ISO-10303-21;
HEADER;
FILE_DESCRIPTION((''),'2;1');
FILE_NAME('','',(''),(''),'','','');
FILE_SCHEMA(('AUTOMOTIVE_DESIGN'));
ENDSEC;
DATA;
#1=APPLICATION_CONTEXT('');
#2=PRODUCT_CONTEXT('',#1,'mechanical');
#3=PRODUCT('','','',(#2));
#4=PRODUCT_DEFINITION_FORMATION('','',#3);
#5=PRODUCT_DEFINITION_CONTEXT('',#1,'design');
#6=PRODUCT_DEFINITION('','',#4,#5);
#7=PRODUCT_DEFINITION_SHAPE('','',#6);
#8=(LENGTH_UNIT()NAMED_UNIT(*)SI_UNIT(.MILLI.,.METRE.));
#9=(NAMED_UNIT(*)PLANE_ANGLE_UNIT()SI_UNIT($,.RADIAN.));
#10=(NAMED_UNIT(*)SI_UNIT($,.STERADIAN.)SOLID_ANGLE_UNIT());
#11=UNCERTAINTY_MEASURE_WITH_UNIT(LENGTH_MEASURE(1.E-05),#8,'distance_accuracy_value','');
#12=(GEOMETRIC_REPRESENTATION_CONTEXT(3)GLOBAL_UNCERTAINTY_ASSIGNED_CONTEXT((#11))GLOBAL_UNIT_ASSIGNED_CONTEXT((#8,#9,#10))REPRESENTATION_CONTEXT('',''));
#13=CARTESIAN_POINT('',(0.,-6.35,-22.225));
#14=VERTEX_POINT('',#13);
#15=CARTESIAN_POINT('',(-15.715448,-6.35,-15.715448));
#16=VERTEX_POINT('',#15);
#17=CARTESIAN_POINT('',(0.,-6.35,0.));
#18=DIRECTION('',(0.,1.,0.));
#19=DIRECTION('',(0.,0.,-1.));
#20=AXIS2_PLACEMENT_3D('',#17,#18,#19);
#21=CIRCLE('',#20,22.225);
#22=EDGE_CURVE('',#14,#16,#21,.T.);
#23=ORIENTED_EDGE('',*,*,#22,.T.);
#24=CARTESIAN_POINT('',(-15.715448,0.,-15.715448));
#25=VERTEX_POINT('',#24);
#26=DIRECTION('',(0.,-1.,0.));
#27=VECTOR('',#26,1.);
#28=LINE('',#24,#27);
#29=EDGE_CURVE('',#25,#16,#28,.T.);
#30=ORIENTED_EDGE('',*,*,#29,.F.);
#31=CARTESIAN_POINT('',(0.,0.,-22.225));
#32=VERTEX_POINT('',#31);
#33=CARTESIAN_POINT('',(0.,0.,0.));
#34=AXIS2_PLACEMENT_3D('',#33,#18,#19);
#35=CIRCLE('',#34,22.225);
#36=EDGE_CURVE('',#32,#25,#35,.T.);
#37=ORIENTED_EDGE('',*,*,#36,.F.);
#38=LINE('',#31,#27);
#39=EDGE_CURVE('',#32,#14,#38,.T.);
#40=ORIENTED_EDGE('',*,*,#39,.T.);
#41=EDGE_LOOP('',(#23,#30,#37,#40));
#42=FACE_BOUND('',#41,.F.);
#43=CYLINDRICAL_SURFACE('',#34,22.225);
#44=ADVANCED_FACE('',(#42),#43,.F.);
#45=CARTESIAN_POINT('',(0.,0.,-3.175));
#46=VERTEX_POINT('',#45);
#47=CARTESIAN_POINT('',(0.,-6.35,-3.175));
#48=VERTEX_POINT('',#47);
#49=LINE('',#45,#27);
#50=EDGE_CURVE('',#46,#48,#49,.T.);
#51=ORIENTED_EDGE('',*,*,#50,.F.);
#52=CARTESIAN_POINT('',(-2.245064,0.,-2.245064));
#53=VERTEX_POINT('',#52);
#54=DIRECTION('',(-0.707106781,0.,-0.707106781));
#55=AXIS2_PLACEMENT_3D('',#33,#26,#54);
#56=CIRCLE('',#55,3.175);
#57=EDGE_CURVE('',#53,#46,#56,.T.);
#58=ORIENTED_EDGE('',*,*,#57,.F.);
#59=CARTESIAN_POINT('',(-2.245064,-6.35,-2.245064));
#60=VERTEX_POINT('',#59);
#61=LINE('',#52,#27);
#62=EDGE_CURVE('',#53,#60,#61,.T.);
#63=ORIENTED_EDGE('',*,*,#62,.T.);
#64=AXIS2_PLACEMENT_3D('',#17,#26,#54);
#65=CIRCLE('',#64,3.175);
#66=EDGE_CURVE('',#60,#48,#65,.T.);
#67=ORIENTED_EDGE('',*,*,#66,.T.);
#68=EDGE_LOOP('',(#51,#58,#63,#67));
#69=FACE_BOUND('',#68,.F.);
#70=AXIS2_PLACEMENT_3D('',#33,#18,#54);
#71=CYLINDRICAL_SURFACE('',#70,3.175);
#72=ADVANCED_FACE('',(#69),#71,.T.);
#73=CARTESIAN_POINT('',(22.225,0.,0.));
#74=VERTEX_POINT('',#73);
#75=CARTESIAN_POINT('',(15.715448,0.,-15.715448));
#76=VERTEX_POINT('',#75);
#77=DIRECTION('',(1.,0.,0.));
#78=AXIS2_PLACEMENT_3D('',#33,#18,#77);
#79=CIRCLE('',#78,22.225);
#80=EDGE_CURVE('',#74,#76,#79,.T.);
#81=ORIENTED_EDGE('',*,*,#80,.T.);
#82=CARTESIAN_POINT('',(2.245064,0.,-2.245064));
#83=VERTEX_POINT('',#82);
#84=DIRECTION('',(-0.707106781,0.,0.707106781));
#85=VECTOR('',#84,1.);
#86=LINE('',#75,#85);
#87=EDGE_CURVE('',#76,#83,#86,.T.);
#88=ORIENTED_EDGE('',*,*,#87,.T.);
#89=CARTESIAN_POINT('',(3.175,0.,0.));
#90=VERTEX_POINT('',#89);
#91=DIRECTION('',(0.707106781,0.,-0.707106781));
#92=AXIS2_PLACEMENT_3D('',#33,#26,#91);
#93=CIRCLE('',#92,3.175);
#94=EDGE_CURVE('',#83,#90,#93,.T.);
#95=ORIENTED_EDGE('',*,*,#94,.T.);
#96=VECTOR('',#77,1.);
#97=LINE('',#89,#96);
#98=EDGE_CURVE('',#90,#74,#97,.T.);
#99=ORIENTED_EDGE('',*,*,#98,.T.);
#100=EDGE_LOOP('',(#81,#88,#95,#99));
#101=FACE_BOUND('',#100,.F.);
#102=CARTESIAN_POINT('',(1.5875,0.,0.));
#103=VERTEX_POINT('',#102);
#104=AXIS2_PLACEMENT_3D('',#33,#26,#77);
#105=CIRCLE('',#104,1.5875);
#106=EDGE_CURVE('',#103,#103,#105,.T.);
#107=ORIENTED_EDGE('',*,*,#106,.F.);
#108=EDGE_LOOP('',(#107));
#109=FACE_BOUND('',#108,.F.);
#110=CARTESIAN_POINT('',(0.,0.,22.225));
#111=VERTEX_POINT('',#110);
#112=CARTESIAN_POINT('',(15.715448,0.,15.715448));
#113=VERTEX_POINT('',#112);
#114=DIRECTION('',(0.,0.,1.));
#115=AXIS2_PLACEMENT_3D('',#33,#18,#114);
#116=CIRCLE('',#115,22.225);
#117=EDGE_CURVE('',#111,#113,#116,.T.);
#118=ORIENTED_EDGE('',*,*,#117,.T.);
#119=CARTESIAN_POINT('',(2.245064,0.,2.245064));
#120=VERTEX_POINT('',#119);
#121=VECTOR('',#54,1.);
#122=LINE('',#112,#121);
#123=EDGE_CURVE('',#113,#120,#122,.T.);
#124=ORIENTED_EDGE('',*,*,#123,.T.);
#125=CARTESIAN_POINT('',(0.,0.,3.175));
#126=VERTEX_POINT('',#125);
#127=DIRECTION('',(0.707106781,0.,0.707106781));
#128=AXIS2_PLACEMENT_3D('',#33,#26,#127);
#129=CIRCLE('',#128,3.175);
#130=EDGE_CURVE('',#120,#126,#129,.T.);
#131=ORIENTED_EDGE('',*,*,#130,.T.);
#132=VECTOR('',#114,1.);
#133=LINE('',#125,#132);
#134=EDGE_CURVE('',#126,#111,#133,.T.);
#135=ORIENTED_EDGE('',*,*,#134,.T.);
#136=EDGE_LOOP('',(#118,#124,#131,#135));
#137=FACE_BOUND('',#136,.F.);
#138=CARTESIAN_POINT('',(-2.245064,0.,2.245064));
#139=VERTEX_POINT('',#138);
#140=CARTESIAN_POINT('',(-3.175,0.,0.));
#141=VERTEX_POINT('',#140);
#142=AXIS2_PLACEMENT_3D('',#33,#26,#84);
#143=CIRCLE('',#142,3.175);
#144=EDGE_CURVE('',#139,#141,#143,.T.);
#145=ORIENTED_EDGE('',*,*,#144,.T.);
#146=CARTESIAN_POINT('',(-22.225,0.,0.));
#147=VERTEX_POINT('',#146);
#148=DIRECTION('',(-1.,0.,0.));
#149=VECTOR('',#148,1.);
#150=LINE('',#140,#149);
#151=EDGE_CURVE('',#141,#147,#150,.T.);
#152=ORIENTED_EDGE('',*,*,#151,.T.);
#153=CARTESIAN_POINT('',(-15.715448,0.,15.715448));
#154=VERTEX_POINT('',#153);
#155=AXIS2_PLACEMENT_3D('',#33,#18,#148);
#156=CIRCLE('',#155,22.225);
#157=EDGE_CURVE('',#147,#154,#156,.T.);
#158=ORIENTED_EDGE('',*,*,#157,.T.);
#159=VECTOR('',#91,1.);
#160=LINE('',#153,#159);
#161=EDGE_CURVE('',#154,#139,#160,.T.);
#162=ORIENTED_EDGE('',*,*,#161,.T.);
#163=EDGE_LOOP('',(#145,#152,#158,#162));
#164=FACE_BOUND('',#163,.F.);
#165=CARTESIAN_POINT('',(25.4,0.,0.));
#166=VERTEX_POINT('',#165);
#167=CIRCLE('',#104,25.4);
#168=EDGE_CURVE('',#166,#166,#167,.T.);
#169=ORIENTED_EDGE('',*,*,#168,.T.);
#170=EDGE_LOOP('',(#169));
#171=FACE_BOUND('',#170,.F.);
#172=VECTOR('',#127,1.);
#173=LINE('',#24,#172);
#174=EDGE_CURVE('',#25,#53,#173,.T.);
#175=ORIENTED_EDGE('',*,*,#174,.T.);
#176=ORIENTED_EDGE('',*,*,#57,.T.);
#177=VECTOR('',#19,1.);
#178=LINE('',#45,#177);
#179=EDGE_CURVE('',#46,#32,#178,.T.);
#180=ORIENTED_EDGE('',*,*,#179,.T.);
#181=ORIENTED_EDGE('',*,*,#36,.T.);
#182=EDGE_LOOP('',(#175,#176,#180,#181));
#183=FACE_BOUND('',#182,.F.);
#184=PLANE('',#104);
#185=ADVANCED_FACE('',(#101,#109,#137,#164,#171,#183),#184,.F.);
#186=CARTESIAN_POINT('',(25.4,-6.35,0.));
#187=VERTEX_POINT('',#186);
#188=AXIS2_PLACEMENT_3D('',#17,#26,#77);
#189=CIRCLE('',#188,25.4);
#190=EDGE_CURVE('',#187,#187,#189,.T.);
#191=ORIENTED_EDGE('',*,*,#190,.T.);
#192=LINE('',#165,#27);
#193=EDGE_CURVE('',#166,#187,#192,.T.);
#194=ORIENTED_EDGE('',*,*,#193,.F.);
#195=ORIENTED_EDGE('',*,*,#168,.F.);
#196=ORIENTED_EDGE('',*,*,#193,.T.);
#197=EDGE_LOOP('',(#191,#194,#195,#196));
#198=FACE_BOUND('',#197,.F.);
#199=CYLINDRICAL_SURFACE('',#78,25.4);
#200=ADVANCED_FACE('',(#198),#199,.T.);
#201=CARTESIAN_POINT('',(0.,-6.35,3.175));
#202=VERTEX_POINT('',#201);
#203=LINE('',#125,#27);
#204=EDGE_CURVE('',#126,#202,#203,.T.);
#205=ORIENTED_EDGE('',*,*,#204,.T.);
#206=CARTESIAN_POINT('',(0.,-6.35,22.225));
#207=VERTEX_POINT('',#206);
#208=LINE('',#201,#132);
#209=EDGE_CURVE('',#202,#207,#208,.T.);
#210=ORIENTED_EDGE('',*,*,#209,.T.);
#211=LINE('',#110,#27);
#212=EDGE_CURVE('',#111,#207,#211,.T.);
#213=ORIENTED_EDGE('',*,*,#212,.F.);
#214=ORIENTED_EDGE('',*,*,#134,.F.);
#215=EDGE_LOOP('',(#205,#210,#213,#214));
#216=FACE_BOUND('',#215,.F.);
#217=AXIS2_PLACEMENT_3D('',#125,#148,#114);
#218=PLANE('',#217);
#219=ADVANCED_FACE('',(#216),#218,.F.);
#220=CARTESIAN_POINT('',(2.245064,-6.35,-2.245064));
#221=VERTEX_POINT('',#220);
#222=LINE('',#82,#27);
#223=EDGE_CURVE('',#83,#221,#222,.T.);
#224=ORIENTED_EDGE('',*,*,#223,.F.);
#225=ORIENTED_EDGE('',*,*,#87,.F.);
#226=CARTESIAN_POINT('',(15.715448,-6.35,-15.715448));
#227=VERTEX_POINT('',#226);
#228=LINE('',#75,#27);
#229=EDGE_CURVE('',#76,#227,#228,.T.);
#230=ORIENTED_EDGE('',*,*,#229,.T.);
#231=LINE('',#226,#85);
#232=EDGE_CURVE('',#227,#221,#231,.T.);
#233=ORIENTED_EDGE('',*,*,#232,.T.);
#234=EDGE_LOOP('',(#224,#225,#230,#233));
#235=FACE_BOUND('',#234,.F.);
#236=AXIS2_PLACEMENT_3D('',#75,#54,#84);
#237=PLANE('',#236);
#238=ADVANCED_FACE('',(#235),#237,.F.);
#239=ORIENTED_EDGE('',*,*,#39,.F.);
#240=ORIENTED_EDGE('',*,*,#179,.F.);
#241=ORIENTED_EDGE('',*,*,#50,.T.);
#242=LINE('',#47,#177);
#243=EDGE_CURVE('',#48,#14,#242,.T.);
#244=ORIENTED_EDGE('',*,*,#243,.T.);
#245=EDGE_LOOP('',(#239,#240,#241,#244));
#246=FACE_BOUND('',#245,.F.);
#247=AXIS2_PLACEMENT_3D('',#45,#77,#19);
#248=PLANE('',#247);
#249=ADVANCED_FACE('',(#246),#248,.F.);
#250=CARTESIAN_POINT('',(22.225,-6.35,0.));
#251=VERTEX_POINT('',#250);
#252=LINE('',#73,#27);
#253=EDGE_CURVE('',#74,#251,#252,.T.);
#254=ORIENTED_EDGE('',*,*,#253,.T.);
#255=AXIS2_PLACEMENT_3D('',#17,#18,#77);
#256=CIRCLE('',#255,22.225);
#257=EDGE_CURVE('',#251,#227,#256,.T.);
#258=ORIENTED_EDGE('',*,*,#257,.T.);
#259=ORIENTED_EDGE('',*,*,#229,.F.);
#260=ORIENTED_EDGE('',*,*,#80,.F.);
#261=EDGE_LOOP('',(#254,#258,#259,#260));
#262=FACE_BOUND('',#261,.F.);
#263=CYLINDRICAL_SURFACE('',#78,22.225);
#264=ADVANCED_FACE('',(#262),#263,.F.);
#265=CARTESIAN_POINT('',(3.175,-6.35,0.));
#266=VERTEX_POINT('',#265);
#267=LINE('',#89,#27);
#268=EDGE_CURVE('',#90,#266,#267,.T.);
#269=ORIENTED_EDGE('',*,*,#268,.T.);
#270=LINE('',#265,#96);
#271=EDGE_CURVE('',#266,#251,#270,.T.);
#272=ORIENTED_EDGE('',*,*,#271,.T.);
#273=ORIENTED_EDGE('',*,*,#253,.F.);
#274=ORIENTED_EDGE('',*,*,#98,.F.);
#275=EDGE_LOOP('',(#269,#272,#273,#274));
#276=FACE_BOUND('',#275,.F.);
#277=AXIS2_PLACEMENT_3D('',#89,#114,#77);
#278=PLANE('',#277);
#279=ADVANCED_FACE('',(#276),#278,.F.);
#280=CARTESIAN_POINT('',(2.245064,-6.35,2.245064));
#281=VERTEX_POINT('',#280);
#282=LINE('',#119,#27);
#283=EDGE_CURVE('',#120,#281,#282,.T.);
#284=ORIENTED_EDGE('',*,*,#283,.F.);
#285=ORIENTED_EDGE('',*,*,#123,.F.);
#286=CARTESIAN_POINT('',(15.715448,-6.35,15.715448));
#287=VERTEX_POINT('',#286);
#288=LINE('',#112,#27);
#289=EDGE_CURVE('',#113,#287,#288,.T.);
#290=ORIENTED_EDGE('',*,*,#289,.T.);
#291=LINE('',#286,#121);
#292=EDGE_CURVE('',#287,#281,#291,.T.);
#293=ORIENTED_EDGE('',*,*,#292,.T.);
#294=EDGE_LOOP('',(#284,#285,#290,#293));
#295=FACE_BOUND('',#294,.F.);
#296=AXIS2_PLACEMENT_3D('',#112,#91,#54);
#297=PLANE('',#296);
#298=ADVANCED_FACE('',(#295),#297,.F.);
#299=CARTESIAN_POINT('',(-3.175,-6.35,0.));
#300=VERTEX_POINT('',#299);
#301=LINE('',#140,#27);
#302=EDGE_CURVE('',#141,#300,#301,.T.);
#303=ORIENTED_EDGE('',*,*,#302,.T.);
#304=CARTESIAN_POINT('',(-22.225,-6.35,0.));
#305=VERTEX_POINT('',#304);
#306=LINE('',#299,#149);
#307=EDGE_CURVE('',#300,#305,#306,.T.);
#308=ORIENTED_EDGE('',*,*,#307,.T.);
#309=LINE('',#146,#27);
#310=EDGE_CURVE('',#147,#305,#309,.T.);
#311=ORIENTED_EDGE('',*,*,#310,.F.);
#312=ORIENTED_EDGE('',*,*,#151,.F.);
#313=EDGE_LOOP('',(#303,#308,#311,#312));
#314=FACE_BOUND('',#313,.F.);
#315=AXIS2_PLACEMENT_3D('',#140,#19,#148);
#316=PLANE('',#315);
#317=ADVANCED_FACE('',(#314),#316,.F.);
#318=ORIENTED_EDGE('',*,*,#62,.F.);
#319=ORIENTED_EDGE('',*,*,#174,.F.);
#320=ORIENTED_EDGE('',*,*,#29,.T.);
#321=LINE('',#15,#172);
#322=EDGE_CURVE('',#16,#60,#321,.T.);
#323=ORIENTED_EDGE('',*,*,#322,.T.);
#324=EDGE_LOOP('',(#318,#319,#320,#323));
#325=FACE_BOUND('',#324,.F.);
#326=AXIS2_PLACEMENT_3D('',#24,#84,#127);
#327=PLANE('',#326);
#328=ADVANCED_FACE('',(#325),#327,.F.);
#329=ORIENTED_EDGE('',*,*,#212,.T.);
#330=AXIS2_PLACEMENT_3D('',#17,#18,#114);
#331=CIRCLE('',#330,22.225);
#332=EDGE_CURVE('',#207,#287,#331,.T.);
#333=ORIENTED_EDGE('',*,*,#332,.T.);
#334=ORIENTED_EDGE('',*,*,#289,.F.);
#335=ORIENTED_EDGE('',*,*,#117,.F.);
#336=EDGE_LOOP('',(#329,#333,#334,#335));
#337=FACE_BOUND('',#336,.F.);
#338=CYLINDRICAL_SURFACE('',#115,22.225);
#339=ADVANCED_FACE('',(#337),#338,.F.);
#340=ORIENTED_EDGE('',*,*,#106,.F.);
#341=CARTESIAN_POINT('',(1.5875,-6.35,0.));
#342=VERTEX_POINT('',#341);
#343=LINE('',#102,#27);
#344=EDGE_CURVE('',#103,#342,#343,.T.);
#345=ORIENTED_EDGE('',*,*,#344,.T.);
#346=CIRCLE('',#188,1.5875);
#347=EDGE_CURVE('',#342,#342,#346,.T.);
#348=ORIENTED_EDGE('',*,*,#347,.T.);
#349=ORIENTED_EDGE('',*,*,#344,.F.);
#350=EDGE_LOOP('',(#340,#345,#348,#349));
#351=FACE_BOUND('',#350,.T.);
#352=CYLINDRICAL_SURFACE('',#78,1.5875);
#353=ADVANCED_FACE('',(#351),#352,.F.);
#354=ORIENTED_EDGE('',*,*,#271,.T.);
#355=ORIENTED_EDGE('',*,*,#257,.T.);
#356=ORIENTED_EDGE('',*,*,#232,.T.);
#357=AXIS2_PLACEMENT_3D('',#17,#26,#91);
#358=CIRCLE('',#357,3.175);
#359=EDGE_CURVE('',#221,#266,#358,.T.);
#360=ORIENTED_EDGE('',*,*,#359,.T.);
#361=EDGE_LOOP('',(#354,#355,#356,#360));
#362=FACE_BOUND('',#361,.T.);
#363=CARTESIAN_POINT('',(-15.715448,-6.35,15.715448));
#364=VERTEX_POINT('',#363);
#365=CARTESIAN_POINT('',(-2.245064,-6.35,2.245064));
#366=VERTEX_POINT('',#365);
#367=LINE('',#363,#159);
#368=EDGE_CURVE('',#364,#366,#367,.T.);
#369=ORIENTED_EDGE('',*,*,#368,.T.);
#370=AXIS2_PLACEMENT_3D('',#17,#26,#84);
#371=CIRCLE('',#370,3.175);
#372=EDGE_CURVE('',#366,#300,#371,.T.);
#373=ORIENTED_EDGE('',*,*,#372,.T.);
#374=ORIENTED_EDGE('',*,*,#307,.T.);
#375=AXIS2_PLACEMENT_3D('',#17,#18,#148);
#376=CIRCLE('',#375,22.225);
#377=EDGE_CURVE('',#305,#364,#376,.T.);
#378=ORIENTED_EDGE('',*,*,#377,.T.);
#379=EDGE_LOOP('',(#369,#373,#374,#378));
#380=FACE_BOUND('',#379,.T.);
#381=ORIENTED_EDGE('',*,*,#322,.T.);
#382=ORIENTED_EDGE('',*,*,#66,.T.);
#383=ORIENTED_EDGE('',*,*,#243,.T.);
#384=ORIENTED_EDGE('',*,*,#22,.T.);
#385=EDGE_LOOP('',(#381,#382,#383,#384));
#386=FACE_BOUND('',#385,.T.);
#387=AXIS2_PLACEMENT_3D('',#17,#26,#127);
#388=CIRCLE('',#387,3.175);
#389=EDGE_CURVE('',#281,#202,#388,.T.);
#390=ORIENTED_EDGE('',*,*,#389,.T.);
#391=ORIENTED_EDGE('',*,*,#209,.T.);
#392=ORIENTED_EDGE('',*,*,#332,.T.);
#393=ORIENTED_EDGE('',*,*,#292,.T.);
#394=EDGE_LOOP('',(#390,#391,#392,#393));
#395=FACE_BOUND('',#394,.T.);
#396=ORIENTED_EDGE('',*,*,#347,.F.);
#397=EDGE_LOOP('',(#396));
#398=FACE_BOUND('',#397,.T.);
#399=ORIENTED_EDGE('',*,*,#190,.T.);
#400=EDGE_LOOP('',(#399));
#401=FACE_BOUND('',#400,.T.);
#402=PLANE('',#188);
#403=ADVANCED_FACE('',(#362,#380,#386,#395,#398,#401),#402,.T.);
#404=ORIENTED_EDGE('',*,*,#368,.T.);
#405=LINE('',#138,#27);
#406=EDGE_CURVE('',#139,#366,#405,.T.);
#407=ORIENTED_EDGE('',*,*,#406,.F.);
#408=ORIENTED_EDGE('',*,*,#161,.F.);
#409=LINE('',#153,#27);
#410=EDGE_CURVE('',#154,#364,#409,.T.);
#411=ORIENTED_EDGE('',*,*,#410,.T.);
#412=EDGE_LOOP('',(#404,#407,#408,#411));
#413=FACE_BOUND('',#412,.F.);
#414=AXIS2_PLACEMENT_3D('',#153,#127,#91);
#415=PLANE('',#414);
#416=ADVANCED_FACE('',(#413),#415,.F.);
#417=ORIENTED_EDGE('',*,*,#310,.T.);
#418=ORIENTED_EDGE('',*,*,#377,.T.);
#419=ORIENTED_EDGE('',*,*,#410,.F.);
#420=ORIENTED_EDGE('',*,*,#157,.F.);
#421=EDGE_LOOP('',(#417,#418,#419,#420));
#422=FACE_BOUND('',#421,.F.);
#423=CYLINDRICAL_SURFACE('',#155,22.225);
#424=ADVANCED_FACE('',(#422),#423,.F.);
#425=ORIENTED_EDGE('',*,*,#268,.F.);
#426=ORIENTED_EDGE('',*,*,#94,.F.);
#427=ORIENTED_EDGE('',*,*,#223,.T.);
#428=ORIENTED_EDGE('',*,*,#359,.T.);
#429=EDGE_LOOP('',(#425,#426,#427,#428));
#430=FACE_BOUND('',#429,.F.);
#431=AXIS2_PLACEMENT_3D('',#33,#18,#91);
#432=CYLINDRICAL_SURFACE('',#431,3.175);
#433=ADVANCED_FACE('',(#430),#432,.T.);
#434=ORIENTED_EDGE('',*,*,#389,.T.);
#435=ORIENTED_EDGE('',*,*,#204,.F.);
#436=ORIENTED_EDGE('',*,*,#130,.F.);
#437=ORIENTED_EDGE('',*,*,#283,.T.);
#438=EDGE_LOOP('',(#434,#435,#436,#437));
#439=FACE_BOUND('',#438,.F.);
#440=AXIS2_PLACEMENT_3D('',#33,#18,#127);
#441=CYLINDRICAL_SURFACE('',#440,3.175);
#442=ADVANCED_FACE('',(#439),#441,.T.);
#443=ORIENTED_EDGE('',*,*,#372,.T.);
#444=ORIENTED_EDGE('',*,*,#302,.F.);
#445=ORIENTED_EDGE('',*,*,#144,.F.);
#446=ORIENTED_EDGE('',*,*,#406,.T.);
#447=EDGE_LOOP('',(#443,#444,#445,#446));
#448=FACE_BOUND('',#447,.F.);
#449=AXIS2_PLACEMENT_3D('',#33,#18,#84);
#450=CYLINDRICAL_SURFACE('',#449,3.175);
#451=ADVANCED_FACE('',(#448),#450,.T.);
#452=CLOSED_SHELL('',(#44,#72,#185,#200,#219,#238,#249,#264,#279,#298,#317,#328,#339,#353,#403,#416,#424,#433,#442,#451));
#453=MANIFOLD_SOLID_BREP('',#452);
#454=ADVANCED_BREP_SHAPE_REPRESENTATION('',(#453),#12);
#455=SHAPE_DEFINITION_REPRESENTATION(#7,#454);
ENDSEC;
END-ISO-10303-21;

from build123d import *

# Parameters (mm, degrees)
F0_R     = 25.4
F0_R_2   = 1.5875
F1_DEPTH = 6.35


with BuildPart() as f1:
    # F0 (on Front) → F1 (new body)
    with BuildSketch(Plane.XZ):
        Circle(F0_R)
        with BuildLine():
            ThreePointArc((15.7154482119, 15.7154482119), (20.5332226101, 8.5051392843), (22.225, 0))
            ThreePointArc((22.225, 0), (20.5332226101, -8.5051392843), (15.7154482119, -15.7154482119))
            ThreePointArc((15.7154482119, -15.7154482119), (8.5051392843, -20.5332226101), (0, -22.225))
            ThreePointArc((0, -22.225), (-8.5051392843, -20.5332226101), (-15.7154482119, -15.7154482119))
            ThreePointArc((-15.7154482119, -15.7154482119), (-20.5332226101, -8.5051392843), (-22.225, 0))
            ThreePointArc((-22.225, 0), (-20.5332226101, 8.5051392843), (-15.7154482119, 15.7154482119))
            ThreePointArc((-15.7154482119, 15.7154482119), (-8.5051392843, 20.5332226101), (0, 22.225))
            ThreePointArc((0, 22.225), (8.5051392843, 20.5332226101), (15.7154482119, 15.7154482119))
        make_face(mode=Mode.SUBTRACT)
        with BuildLine():
            ThreePointArc((-2.2450640303, 2.2450640303), (-1.2150198978, 2.9333175157), (0, 3.175))
            Line((0, 3.175), (0, 22.225))
            ThreePointArc((0, 22.225), (-8.5051392843, 20.5332226101), (-15.7154482119, 15.7154482119))
            Line((-15.7154482119, 15.7154482119), (-2.2450640303, 2.2450640303))
        make_face()
        with BuildLine():
            ThreePointArc((2.2450640303, 2.2450640303), (2.9333175157, 1.2150198978), (3.175, 0))
            Line((3.175, 0), (22.225, 0))
            ThreePointArc((22.225, 0), (20.5332226101, 8.5051392843), (15.7154482119, 15.7154482119))
            Line((15.7154482119, 15.7154482119), (2.2450640303, 2.2450640303))
        make_face()
        with BuildLine():
            Line((15.7154482119, -15.7154482119), (2.2450640303, -2.2450640303))
            ThreePointArc((2.2450640303, -2.2450640303), (1.2150198978, -2.9333175157), (0, -3.175))
            Line((0, -3.175), (0, -22.225))
            ThreePointArc((0, -22.225), (8.5051392843, -20.5332226101), (15.7154482119, -15.7154482119))
        make_face()
        with BuildLine():
            Line((-15.7154482119, -15.7154482119), (-2.2450640303, -2.2450640303))
            ThreePointArc((-2.2450640303, -2.2450640303), (-2.9333175157, -1.2150198978), (-3.175, 0))
            Line((-3.175, 0), (-22.225, 0))
            ThreePointArc((-22.225, 0), (-20.5332226101, -8.5051392843), (-15.7154482119, -15.7154482119))
        make_face()
        with BuildLine():
            ThreePointArc((2.2450640303, -2.2450640303), (2.9333175157, -1.2150198978), (3.175, 0))
            ThreePointArc((3.175, 0), (2.9333175157, 1.2150198978), (2.2450640303, 2.2450640303))
            ThreePointArc((2.2450640303, 2.2450640303), (1.2150198978, 2.9333175157), (0, 3.175))
            ThreePointArc((0, 3.175), (-1.2150198978, 2.9333175157), (-2.2450640303, 2.2450640303))
            ThreePointArc((-2.2450640303, 2.2450640303), (-2.9333175157, 1.2150198978), (-3.175, 0))
            ThreePointArc((-3.175, 0), (-2.9333175157, -1.2150198978), (-2.2450640303, -2.2450640303))
            ThreePointArc((-2.2450640303, -2.2450640303), (-1.2150198978, -2.9333175157), (0, -3.175))
            ThreePointArc((0, -3.175), (1.2150198978, -2.9333175157), (2.2450640303, -2.2450640303))
        make_face()
        Circle(F0_R_2, mode=Mode.SUBTRACT)
    extrude(amount=F1_DEPTH)


solid = f1.part
